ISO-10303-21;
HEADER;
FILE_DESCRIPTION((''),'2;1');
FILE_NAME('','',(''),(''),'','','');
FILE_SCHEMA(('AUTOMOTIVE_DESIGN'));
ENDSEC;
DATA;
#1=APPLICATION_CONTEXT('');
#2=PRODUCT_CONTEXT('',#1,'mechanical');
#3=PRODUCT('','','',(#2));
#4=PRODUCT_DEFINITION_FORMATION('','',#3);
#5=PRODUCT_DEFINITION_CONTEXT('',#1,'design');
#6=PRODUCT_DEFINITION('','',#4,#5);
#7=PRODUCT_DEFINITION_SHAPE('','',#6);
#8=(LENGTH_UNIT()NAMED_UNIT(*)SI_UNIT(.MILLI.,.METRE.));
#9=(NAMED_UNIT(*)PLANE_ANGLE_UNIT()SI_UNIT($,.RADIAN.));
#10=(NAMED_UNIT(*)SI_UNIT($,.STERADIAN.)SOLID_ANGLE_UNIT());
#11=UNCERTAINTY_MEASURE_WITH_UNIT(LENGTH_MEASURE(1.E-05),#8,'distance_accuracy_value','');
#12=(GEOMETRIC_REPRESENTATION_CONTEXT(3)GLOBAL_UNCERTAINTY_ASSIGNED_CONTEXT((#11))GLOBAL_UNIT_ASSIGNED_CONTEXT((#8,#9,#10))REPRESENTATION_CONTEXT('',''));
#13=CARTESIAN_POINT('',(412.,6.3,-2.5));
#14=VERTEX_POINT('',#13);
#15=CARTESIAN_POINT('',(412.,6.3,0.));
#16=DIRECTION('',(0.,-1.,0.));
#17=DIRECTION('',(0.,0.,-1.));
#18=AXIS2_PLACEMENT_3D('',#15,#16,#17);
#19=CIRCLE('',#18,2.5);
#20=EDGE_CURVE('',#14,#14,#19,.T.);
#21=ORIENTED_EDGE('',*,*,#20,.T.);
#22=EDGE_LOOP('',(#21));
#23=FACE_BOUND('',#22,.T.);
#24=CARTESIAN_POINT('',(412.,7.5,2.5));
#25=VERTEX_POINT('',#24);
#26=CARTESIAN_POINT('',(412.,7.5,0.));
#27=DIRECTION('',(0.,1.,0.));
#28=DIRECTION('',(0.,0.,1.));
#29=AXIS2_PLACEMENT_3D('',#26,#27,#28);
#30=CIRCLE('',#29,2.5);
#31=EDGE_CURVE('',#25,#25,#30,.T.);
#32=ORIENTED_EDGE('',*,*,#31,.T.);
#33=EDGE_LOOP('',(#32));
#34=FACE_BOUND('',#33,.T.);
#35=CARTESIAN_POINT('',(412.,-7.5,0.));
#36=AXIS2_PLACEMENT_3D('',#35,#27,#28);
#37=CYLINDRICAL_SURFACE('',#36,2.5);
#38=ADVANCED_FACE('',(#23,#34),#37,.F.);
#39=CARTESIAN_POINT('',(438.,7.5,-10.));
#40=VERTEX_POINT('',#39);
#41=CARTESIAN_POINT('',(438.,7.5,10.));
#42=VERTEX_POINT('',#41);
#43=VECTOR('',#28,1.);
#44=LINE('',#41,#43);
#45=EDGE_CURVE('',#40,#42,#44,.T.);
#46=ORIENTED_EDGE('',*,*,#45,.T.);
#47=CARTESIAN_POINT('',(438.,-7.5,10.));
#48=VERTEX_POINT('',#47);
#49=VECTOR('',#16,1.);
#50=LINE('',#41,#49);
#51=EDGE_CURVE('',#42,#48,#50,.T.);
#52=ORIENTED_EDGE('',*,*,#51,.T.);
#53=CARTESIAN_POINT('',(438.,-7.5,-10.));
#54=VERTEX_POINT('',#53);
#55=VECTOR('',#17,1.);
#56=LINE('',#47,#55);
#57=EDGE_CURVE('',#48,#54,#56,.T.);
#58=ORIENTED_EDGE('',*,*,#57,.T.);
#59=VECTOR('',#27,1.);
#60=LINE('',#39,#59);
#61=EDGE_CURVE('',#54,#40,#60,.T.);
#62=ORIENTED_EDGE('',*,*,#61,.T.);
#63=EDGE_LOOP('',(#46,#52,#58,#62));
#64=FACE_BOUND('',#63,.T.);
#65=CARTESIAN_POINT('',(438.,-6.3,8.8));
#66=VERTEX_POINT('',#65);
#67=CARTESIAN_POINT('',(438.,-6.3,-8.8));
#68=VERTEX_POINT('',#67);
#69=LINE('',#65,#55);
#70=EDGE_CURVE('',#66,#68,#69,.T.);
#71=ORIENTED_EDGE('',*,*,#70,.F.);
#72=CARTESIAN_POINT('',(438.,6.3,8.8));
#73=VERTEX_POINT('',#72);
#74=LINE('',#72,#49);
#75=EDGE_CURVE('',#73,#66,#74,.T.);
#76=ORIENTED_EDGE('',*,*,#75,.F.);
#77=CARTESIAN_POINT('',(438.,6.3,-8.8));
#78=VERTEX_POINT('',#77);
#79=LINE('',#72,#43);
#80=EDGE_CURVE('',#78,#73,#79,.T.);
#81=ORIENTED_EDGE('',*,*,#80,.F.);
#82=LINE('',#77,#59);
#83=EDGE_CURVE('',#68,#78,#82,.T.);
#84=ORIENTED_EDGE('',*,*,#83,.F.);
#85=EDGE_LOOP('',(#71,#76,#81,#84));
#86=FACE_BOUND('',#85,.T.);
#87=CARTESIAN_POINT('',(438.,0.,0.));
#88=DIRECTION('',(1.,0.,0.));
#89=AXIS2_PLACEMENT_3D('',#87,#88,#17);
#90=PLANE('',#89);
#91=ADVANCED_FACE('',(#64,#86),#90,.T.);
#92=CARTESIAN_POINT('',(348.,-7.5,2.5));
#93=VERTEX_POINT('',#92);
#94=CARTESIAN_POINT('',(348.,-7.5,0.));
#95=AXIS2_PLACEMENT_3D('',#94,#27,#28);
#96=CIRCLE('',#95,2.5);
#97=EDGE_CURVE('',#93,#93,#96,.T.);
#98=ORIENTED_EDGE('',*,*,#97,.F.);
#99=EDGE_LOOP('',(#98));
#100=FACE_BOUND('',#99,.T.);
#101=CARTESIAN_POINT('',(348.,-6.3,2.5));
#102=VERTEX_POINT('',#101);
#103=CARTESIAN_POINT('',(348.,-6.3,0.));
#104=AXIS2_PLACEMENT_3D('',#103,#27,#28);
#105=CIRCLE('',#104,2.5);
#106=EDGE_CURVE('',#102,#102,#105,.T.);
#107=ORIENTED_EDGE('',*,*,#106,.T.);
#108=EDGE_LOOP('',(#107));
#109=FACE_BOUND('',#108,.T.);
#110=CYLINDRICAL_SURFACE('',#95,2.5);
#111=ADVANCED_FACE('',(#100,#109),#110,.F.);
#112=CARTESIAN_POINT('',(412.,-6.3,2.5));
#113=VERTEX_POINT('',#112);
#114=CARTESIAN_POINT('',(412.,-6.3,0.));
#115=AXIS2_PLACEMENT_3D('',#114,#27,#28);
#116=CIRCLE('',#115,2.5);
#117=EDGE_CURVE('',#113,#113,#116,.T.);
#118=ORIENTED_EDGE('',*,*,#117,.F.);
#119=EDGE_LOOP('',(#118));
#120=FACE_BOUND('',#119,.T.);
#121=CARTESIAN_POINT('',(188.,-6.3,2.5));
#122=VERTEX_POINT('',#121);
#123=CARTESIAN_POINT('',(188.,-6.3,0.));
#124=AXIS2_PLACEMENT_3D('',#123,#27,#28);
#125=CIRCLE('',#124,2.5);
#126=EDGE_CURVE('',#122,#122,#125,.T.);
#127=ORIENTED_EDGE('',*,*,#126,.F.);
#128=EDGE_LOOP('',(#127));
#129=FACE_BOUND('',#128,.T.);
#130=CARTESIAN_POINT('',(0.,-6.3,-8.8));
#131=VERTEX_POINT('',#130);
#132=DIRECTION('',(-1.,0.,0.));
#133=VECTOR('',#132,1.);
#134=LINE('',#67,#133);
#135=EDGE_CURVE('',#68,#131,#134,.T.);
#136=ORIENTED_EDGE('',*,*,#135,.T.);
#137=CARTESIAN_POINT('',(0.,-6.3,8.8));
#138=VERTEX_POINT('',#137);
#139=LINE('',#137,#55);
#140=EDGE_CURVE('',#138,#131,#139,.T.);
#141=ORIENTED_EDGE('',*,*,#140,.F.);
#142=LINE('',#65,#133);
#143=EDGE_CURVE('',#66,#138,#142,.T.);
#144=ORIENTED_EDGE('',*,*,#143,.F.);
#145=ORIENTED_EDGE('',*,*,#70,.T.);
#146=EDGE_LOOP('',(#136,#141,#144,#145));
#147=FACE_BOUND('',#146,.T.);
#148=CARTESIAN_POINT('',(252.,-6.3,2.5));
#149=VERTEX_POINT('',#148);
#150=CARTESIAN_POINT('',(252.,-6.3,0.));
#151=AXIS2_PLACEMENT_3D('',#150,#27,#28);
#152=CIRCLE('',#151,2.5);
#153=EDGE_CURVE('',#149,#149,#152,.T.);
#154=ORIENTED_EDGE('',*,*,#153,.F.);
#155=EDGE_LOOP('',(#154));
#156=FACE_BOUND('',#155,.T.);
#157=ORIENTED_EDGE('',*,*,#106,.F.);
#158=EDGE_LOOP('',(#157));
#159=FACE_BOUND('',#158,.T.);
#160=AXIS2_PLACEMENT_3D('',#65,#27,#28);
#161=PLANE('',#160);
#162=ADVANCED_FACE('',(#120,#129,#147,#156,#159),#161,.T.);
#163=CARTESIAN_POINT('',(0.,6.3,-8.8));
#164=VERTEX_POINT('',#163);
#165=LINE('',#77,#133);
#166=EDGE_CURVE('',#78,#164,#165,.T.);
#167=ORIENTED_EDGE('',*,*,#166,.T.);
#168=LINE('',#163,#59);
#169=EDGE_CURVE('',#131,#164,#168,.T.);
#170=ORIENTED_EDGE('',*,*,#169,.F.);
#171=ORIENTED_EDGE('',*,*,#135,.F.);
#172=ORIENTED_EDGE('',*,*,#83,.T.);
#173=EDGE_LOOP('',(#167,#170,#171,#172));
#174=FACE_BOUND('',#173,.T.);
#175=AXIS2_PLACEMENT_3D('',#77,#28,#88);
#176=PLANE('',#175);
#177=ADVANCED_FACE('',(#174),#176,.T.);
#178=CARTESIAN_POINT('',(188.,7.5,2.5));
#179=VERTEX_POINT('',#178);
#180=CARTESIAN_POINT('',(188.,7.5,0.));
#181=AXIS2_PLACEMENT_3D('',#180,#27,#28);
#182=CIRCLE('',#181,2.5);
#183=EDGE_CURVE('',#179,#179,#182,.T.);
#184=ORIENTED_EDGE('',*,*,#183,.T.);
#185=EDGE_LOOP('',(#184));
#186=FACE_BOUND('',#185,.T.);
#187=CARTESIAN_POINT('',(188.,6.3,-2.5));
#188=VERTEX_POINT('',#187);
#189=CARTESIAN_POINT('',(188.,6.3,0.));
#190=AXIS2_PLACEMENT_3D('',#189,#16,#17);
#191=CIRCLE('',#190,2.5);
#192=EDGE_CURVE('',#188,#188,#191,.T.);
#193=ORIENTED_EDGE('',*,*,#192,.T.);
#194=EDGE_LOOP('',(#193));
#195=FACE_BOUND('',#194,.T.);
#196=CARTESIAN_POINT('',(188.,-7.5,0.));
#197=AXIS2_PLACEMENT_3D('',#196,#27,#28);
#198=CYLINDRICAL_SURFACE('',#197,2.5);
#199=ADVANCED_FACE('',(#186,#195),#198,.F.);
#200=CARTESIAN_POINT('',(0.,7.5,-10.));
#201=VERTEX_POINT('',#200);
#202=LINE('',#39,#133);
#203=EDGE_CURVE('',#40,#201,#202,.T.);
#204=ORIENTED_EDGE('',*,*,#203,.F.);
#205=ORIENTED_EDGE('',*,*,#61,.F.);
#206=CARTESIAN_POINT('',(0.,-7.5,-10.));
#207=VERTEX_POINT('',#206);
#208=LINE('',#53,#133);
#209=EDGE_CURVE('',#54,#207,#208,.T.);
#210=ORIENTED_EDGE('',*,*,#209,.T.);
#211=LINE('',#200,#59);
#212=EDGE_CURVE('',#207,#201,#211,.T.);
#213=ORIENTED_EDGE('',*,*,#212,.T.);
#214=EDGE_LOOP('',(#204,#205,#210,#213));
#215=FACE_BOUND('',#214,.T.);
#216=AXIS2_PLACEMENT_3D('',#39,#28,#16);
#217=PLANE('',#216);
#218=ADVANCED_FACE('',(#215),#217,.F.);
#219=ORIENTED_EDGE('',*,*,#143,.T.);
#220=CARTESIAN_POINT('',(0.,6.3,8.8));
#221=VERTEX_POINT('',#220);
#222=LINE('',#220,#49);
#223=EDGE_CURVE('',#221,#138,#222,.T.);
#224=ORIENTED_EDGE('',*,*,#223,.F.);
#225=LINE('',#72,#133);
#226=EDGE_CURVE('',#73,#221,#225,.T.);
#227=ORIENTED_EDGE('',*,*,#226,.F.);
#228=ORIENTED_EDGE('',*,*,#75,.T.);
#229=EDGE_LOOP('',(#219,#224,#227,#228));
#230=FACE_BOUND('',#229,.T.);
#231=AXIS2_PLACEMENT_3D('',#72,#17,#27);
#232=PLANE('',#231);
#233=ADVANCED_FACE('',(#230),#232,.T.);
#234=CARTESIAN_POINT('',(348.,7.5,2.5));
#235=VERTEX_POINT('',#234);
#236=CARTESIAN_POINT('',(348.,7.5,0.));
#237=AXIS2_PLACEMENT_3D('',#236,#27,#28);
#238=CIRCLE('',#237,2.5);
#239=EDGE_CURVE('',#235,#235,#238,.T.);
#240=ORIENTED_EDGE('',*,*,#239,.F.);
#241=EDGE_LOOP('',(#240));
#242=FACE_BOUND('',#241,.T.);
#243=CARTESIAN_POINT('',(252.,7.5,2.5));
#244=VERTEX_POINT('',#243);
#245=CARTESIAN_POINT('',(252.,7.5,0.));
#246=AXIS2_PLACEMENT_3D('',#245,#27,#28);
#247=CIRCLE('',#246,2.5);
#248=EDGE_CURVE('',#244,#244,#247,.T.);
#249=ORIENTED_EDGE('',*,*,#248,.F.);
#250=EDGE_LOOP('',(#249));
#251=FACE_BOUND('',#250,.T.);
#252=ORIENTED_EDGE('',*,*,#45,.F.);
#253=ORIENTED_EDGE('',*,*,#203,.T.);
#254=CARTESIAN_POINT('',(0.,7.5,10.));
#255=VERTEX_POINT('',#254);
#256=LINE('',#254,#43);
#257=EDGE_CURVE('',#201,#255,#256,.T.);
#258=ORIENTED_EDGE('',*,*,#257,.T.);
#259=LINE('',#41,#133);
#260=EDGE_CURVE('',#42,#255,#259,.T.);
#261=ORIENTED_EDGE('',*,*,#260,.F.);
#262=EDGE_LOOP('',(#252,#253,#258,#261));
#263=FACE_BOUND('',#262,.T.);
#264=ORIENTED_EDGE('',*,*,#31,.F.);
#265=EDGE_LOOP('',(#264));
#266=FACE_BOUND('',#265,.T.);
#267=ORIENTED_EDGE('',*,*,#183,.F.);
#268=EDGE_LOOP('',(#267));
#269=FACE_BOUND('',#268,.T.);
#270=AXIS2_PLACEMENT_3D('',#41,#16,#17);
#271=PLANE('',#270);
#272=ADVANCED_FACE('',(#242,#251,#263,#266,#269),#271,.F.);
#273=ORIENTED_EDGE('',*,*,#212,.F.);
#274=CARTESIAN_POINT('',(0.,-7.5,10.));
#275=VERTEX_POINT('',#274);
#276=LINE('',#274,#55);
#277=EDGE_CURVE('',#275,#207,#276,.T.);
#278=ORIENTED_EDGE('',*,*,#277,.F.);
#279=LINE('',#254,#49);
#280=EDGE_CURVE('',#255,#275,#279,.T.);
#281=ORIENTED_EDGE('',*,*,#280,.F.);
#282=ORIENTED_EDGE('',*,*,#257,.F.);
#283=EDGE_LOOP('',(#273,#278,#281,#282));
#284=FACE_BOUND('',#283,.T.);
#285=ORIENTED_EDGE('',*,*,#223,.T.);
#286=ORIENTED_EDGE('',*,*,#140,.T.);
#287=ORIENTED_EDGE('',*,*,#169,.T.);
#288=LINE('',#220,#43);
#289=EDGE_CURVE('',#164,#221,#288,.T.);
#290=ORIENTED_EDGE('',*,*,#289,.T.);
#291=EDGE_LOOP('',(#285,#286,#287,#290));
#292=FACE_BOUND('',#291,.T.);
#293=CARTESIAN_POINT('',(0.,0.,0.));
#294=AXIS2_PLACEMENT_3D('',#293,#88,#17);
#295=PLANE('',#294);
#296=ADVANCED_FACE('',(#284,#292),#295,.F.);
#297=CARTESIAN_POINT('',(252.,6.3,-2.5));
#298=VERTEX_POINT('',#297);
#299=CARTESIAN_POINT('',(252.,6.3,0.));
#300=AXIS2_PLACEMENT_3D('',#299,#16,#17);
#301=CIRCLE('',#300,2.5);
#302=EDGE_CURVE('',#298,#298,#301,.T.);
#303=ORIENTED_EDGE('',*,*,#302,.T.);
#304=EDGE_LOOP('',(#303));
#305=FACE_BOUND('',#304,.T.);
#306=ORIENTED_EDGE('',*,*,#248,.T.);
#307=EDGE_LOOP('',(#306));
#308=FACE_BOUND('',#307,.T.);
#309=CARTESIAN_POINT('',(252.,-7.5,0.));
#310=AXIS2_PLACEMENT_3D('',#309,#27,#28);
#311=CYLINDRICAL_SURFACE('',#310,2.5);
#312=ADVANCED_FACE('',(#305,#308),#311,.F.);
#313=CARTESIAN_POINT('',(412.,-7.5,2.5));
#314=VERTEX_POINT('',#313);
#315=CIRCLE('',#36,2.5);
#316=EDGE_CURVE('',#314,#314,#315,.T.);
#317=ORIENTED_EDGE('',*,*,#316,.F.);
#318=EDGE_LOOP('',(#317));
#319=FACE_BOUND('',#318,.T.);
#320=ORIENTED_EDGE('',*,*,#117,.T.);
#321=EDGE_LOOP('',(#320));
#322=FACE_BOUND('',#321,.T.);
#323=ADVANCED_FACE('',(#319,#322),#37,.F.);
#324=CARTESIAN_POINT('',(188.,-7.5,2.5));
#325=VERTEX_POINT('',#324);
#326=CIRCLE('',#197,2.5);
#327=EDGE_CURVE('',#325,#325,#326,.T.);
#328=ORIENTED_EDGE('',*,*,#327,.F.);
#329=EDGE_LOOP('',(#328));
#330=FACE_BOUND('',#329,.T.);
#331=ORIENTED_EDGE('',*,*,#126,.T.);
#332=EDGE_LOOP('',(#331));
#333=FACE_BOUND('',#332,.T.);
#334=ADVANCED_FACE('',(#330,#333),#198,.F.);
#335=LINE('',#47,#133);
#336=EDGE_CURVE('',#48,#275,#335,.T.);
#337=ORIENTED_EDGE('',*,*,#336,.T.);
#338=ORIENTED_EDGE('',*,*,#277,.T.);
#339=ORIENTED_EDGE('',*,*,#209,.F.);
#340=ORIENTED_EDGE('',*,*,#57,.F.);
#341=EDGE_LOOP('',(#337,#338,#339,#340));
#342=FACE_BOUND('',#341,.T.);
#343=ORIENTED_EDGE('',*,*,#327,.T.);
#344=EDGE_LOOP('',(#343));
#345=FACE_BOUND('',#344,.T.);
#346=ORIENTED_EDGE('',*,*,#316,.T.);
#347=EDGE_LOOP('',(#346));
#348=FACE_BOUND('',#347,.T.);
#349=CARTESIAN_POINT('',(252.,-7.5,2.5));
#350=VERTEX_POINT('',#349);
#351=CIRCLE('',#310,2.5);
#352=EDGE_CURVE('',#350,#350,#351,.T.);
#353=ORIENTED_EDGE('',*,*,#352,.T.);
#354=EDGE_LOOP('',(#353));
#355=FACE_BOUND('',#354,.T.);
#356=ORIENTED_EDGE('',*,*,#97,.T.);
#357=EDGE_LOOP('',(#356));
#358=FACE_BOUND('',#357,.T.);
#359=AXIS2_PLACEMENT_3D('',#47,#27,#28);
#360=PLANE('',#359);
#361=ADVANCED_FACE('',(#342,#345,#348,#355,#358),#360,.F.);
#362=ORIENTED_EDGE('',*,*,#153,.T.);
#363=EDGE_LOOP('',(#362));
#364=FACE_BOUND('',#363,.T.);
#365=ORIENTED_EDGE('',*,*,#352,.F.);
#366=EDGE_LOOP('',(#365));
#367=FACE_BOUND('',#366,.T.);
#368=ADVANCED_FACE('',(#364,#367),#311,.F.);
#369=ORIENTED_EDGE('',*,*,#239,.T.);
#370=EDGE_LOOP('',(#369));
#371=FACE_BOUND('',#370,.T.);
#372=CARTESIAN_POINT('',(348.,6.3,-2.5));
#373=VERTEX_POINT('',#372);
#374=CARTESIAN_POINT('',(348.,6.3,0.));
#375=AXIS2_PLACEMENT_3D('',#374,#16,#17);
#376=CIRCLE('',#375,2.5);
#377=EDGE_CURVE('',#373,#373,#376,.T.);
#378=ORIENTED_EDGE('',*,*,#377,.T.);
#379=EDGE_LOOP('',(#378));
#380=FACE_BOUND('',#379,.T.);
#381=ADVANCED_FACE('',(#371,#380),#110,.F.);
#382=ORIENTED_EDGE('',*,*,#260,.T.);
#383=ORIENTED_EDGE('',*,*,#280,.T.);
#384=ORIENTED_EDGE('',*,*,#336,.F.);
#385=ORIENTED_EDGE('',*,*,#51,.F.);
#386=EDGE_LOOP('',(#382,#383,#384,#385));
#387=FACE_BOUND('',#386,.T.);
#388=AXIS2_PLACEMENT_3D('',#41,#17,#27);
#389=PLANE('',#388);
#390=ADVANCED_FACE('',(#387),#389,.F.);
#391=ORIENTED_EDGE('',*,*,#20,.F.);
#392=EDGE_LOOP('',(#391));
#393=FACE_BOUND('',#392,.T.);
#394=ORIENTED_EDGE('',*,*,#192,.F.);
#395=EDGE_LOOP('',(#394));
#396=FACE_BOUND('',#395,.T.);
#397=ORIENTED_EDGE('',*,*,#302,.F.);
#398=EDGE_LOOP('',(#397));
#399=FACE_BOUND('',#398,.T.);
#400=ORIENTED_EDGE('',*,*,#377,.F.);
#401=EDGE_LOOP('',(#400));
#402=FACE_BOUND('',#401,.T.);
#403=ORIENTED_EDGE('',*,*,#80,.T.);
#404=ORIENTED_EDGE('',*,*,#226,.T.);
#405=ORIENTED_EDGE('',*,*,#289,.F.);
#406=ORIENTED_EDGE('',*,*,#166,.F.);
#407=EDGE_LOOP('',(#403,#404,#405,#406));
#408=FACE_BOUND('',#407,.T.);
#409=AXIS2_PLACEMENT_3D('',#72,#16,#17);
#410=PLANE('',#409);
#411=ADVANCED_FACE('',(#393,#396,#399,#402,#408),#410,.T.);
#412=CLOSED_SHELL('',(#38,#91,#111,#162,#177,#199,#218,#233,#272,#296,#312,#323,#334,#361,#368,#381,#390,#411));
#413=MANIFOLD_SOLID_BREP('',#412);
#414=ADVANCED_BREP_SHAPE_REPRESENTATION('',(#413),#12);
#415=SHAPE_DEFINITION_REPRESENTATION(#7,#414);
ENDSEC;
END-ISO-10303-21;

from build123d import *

# Parameters (mm, degrees)
SKETCH1_W               = 20
SKETCH1_H               = 15
SKETCH1_W_2             = 17.6
SKETCH1_H_2             = 12.6
F_15_X_20_X_1_2_1_DEPTH = 438
SKETCH_3_R              = 2.5
CUT_EXTRUDE_1_DEPTH     = 439.370847571


with BuildPart() as part:
    # Sketch1 → 方形管 15 X 20 X 1.2(1) (new body)
    with BuildSketch(Plane(origin=(0, 0, 0), x_dir=(0, 0, -1), z_dir=(1, 0, 0))):
        Rectangle(SKETCH1_W, SKETCH1_H)
        Rectangle(SKETCH1_W_2, SKETCH1_H_2, mode=Mode.SUBTRACT)
    extrude(amount=F_15_X_20_X_1_2_1_DEPTH)

    # 草图3 → 切除-拉伸1 (cut, through all)
    with BuildSketch(Plane(origin=(0, 7.5, 0), x_dir=(1, 0, 0), z_dir=(0, 1, 0))):
        with Locations(Location((188, 0, 0), (0, 0, 270))):
            Circle(SKETCH_3_R)
        with Locations(Location((252, 0, 0), (0, 0, 270))):
            Circle(SKETCH_3_R)
        with Locations(Location((348, 0, 0), (0, 0, 270))):
            Circle(SKETCH_3_R)
        with Locations(Location((412, 0, 0), (0, 0, 270))):
            Circle(SKETCH_3_R)
    extrude(amount=-CUT_EXTRUDE_1_DEPTH, mode=Mode.SUBTRACT)


solid = part.part
